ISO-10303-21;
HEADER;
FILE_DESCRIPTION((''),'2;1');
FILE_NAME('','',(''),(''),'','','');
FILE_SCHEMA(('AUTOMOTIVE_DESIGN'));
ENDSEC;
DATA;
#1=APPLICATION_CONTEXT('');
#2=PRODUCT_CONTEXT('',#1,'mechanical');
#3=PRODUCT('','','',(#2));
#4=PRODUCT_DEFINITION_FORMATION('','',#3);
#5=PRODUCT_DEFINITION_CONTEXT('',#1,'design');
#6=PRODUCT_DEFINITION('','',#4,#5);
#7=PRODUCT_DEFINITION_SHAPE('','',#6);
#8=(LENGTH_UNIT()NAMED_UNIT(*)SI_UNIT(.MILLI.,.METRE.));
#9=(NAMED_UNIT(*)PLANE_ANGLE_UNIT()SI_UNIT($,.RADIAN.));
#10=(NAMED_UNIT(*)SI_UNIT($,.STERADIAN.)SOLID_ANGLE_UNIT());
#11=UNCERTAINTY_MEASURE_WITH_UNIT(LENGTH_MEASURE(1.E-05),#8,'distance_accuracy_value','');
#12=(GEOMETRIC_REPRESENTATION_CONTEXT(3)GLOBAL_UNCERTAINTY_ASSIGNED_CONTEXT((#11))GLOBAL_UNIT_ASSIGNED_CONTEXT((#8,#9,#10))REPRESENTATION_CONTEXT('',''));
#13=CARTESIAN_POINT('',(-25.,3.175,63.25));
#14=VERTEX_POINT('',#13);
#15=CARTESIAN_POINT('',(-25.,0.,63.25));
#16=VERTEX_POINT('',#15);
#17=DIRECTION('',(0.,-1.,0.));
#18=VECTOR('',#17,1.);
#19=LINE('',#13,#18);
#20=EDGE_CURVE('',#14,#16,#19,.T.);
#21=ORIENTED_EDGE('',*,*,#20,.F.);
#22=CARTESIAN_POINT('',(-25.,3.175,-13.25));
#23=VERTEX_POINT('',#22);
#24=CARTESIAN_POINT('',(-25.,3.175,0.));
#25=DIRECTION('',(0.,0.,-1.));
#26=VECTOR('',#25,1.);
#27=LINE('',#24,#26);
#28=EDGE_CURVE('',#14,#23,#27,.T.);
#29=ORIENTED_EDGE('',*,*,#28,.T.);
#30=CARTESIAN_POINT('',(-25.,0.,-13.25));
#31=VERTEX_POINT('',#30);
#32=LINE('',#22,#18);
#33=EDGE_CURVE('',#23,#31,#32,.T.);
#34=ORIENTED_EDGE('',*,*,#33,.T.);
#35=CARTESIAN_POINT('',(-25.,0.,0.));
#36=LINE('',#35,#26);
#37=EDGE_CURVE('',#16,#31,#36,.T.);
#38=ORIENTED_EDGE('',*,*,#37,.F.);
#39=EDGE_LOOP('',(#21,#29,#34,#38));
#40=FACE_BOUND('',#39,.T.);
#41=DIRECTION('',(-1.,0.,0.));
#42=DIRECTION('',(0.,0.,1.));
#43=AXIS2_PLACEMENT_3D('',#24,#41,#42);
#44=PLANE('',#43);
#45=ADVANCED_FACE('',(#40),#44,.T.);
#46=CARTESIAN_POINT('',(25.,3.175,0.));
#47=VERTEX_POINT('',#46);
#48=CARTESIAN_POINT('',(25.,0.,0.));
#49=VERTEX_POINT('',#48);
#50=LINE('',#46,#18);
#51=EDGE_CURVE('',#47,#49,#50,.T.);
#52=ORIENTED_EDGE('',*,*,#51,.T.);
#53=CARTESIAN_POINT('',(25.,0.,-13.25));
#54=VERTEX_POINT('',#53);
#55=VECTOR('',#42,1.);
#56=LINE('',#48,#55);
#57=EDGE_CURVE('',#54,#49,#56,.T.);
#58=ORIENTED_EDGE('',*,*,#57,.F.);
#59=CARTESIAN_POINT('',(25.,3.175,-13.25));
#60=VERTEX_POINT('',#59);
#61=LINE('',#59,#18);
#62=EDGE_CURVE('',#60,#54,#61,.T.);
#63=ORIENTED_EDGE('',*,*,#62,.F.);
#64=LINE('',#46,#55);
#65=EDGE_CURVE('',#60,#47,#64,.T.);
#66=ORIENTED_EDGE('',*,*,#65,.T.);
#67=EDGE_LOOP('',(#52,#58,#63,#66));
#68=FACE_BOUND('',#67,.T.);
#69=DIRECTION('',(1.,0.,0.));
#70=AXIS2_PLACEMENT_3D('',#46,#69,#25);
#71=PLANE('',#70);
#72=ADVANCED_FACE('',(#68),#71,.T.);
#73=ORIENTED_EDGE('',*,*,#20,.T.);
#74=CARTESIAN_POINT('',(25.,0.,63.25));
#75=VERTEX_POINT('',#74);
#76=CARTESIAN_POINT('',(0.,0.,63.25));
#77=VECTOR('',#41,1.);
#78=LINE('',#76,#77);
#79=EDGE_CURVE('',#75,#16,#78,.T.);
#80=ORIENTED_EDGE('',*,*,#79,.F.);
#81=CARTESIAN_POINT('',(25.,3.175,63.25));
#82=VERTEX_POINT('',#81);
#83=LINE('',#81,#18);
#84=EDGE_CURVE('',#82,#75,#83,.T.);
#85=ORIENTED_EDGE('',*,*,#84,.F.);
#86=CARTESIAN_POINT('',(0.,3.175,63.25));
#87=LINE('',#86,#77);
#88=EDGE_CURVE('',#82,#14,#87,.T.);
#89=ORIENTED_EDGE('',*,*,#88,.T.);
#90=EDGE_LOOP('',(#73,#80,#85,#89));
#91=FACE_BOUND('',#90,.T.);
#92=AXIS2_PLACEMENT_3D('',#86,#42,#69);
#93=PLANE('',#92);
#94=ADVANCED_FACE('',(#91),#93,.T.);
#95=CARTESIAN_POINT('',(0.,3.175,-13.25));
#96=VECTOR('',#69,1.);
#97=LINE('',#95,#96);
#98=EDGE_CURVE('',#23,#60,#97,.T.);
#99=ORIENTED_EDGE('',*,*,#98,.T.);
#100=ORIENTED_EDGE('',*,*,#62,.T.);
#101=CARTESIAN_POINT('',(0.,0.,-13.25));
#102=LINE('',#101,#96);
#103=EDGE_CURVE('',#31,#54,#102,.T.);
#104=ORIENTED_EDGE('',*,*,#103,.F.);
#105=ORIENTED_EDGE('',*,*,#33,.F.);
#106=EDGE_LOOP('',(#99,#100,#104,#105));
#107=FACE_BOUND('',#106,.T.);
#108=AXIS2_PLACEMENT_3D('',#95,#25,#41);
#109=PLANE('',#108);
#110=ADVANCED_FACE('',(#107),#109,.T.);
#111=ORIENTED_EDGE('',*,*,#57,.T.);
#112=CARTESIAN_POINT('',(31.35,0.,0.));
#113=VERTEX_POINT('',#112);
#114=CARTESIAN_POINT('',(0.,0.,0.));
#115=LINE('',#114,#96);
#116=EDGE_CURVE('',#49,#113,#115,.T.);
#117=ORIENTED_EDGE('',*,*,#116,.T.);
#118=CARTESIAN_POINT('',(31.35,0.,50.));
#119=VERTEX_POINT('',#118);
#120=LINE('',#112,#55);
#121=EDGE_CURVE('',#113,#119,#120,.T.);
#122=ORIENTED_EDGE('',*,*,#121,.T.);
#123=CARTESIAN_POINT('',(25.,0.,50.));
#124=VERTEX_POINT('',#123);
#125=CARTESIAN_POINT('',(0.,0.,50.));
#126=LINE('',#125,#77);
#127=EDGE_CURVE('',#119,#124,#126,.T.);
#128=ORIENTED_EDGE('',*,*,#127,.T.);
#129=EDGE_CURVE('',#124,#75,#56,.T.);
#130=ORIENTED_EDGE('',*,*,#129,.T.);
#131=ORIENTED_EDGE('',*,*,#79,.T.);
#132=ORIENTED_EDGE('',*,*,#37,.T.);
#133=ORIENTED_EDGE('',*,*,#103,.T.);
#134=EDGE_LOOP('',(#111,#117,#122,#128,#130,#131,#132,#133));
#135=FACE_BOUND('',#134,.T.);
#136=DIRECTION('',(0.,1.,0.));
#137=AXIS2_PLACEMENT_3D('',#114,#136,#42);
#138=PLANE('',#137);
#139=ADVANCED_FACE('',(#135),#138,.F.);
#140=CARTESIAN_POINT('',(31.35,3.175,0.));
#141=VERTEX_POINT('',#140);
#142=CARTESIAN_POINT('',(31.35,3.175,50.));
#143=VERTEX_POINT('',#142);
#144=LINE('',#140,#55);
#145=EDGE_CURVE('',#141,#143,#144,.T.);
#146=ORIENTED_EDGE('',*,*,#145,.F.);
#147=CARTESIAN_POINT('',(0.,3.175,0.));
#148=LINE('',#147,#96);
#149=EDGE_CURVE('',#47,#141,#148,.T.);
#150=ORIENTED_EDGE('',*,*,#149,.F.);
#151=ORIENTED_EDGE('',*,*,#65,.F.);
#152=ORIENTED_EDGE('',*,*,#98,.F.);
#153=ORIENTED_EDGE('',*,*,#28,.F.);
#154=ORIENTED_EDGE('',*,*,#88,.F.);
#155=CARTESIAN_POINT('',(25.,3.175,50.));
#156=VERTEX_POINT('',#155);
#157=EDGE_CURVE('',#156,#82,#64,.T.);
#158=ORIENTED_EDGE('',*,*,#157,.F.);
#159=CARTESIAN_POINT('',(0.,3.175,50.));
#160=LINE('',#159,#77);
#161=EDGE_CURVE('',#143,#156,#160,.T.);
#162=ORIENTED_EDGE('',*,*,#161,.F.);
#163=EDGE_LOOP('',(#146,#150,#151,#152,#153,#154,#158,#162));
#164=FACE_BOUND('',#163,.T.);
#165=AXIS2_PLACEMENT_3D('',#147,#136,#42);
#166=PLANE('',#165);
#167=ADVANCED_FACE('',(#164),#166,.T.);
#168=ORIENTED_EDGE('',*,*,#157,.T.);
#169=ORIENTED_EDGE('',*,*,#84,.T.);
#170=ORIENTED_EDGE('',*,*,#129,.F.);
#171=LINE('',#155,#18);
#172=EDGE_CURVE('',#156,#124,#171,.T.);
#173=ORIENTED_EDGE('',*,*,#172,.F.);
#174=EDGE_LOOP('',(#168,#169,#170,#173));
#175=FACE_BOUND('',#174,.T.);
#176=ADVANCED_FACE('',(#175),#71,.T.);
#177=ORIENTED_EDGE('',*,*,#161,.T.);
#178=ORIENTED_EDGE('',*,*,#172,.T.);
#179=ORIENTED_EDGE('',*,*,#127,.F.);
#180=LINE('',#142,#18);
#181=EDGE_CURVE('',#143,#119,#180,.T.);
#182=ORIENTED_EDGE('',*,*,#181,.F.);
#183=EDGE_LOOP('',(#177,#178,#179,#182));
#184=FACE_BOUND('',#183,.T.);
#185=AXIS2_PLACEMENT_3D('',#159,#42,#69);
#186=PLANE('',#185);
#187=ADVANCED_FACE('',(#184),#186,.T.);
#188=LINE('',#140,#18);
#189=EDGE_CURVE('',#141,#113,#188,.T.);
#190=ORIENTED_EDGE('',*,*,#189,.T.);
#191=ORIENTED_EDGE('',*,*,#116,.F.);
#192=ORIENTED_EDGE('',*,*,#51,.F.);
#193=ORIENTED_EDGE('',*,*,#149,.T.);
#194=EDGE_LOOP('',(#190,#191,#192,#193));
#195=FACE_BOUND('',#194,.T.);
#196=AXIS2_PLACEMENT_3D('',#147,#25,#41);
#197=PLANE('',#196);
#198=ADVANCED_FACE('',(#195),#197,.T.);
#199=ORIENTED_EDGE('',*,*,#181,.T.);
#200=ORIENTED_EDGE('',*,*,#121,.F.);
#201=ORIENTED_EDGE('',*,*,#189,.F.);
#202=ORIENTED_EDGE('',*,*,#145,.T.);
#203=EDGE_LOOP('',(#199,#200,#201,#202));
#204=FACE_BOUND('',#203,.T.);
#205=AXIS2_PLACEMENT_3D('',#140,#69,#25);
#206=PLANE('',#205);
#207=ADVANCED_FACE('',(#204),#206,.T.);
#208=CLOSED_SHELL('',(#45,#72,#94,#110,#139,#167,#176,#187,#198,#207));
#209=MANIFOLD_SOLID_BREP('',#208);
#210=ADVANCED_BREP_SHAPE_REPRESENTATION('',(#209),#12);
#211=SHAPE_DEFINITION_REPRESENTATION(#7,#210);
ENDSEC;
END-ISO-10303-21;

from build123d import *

# Parameters (mm, degrees)
BOSS_EXTRUDE1_DEPTH = 3.175


with BuildPart() as part:
    # Sketch1 → Boss-Extrude1 (new body)
    with BuildSketch(Plane(origin=(0, 0, 0), x_dir=(1, 0, 0), z_dir=(0, 1, 0))):
        Polygon((-25, 0), (-25, 13.25), (25, 13.25), (25, 0), (31.35, 0), (31.35, -50), (25, -50), (25, -63.25), (-25, -63.25), (-25, -50), align=None)
    extrude(amount=BOSS_EXTRUDE1_DEPTH)


solid = part.part
